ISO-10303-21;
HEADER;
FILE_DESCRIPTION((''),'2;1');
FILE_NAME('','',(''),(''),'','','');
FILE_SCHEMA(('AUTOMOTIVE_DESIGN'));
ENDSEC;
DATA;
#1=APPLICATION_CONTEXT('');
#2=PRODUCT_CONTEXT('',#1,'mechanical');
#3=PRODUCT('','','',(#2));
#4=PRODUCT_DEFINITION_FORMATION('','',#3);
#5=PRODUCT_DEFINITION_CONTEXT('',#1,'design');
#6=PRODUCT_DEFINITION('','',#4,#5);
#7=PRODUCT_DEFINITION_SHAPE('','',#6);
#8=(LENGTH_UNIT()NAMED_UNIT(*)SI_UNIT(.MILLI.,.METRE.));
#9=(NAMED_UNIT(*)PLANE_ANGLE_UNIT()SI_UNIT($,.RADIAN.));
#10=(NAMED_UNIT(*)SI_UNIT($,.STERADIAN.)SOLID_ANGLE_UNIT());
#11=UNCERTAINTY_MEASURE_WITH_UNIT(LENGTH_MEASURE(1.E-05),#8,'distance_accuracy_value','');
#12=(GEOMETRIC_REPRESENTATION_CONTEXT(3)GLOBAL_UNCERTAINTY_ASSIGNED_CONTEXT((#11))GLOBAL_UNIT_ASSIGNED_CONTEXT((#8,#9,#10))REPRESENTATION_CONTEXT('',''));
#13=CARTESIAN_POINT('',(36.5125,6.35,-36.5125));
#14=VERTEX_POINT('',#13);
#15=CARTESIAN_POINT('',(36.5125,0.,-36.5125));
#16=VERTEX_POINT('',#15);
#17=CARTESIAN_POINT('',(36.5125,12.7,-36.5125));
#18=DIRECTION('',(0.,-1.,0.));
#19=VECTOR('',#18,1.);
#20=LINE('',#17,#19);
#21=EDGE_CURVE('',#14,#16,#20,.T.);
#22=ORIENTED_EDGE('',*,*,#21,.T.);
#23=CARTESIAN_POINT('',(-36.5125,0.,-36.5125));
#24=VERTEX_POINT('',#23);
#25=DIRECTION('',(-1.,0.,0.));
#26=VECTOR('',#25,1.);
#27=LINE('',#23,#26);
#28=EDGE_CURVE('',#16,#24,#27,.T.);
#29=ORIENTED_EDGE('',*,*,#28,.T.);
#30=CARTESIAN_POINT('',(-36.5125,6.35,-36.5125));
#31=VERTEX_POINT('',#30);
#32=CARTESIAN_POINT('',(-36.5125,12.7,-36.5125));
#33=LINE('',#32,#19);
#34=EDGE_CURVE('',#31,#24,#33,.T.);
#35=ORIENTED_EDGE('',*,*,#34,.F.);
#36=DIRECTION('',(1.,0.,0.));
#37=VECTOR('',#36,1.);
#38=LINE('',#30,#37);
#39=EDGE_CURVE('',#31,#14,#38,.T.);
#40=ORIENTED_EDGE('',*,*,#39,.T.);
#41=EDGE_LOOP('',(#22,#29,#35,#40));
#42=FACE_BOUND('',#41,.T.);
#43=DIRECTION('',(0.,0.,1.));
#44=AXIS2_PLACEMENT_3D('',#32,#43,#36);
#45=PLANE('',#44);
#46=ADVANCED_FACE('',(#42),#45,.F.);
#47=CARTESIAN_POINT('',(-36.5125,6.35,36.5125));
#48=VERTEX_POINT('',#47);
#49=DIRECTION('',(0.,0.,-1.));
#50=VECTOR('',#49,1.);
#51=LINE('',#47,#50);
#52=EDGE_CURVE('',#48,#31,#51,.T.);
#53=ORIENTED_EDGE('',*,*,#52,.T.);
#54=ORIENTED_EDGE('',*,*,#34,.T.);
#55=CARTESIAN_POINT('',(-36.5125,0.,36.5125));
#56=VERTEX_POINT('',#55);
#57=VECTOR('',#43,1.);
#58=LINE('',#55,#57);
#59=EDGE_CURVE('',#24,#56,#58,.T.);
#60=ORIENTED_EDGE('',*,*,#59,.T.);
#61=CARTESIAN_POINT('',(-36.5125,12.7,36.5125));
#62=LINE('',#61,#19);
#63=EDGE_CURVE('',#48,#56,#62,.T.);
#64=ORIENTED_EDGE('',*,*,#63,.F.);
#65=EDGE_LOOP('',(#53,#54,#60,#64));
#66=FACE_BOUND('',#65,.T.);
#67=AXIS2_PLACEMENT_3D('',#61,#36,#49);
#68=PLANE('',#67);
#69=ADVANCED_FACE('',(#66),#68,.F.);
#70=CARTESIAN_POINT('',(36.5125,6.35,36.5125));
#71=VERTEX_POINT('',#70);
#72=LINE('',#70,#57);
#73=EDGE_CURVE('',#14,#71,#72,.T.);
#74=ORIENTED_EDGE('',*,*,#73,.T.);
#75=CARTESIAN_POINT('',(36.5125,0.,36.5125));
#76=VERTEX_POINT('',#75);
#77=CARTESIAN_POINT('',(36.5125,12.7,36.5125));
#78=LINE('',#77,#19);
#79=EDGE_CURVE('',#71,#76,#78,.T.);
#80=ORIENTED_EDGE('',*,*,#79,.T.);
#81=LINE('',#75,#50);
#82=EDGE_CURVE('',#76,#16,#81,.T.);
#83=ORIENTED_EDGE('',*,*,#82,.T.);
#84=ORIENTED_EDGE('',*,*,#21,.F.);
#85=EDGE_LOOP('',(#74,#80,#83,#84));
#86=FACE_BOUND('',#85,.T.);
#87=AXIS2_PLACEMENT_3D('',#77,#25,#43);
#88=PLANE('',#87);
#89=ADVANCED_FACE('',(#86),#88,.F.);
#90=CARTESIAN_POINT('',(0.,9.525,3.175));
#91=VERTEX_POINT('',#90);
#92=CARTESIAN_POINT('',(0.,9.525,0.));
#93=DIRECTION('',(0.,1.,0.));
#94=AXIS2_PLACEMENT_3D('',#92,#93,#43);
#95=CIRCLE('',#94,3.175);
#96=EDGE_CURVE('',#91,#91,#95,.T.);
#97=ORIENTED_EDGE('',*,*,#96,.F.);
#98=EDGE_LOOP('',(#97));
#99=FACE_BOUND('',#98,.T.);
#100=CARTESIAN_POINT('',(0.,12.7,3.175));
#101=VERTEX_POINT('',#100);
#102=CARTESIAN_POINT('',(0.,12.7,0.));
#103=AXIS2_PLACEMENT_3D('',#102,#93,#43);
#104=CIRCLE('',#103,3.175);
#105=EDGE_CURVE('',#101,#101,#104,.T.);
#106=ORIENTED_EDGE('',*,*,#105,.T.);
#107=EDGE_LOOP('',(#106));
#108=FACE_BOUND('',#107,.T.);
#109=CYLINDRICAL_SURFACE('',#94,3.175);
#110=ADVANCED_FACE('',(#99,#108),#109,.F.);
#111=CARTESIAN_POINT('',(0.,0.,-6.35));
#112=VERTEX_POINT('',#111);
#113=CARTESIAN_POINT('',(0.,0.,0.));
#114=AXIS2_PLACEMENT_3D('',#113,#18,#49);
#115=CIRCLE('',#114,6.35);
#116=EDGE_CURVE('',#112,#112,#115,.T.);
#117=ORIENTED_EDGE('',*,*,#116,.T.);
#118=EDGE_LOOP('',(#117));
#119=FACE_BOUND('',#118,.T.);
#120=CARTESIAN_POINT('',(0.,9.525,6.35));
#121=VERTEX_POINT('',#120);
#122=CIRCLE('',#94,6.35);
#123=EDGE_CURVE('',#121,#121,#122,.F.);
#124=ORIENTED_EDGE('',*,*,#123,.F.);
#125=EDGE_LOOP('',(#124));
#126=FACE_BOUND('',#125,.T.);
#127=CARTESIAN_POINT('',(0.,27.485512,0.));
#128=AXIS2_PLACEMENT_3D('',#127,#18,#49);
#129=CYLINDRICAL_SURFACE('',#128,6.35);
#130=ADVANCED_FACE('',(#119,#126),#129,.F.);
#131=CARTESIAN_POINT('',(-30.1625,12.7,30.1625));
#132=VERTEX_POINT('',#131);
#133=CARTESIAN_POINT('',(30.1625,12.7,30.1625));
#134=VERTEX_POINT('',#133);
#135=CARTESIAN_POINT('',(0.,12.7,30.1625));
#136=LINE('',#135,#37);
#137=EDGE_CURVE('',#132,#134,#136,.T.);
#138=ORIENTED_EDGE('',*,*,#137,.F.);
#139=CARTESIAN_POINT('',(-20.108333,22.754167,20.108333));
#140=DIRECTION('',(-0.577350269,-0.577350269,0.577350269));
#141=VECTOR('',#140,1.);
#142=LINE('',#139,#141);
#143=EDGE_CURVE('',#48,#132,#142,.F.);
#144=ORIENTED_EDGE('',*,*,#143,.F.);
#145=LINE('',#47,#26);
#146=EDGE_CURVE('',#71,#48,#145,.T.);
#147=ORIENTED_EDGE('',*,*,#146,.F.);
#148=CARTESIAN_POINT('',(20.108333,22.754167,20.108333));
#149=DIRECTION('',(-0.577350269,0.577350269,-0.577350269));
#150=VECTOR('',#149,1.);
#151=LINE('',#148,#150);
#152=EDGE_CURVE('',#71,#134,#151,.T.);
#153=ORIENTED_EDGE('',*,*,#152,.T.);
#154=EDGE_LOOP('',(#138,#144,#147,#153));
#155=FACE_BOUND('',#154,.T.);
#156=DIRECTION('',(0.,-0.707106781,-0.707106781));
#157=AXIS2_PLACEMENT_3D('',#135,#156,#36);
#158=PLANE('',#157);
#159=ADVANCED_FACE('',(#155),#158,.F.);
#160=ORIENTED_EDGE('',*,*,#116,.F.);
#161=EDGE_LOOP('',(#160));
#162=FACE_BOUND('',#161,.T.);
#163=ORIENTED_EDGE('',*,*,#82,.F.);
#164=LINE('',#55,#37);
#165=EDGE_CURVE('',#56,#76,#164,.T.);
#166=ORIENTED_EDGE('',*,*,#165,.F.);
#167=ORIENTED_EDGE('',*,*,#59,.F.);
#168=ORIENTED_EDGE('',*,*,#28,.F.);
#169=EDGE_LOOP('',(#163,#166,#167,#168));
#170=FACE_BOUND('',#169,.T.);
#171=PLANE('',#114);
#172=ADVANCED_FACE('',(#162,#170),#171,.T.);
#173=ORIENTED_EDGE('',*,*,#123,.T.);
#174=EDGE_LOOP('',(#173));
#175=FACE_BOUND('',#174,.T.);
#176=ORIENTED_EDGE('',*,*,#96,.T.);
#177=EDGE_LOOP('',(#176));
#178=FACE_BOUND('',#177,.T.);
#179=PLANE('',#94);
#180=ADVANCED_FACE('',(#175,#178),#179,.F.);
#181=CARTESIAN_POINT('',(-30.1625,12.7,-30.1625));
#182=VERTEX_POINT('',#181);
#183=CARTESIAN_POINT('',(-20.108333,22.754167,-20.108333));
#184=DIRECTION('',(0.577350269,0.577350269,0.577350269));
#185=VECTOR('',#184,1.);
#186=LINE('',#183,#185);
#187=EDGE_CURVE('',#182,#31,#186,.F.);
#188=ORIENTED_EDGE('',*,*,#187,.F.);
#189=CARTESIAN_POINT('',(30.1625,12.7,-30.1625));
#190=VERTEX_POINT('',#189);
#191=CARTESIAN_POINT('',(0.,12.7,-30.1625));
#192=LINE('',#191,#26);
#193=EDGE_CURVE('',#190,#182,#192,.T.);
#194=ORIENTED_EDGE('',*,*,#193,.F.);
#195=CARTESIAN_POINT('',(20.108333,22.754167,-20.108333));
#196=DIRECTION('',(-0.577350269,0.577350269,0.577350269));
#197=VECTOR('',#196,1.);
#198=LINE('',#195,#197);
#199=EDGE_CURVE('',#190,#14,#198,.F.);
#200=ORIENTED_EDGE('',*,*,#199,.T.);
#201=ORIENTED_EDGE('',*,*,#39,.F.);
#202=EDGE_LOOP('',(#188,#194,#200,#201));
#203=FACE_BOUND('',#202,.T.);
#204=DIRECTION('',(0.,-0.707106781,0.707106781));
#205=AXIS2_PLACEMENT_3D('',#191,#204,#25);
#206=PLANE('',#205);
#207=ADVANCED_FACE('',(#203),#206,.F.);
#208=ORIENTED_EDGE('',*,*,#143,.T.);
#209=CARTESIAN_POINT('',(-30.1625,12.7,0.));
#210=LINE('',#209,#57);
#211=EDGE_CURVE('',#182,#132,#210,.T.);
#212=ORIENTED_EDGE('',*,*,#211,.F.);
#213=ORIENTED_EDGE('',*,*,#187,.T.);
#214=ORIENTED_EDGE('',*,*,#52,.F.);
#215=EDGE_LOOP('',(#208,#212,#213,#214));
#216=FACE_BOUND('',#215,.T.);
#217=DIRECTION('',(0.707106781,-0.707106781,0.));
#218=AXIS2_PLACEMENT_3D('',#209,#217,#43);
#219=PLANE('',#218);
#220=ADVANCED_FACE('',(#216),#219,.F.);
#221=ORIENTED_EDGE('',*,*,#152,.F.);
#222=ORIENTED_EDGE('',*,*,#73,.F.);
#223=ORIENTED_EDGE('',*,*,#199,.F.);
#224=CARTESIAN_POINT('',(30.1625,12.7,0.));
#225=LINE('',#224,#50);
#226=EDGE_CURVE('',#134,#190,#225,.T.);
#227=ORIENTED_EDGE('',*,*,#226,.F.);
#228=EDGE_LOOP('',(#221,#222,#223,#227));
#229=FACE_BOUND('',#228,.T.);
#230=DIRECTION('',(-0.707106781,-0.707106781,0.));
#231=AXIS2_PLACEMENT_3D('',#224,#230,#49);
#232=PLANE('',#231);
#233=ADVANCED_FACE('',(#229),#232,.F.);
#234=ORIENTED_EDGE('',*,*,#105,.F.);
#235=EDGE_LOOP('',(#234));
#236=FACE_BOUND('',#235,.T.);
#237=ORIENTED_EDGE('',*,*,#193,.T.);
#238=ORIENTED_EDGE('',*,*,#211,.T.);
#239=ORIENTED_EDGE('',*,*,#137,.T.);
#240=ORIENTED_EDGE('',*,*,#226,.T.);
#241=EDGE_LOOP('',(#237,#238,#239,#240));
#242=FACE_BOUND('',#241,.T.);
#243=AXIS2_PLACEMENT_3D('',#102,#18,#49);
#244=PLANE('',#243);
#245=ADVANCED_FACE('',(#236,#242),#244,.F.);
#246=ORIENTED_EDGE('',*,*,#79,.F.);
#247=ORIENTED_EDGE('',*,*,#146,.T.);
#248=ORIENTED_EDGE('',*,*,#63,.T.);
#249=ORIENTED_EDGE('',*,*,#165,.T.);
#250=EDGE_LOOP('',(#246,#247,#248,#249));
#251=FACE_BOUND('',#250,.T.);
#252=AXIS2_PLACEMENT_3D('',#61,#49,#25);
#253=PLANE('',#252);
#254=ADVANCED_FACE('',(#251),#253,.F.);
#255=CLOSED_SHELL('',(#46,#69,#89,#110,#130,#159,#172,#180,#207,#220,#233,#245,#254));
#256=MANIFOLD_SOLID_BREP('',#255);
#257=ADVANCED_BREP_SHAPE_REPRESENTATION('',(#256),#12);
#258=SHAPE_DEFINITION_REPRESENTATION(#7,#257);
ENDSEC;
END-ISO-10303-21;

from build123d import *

# Parameters (mm, degrees)
SKETCH1_W           = 73.025
SKETCH1_H           = 73.025
BOSS_EXTRUDE1_DEPTH = 12.7
CHAMFER1_SIZE       = 6.35
SKETCH2_R           = 3.175
CUT_EXTRUDE1_DEPTH  = 3.175
SKETCH3_R           = 6.35
CUT_EXTRUDE2_DEPTH  = 9.525


with BuildPart() as part:
    # Sketch1 → Boss-Extrude1 (new body)
    with BuildSketch(Plane(origin=(0, 0, 0), x_dir=(1, 0, 0), z_dir=(0, 1, 0))):
        Rectangle(SKETCH1_W, SKETCH1_H)
    extrude(amount=BOSS_EXTRUDE1_DEPTH)

    # Chamfer1
    chamfer1_edges = [part.edges().sort_by_distance(p)[0] for p in [
        (-36.5125, 12.7, 0),
        (0, 12.7, 36.5125),
        (36.5125, 12.7, 0),
        (0, 12.7, -36.5125),
    ]]
    chamfer(chamfer1_edges, length=CHAMFER1_SIZE)

    # Sketch2 → Cut-Extrude1 (cut)
    with BuildSketch(Plane(origin=(0, 12.7, 0), x_dir=(1, 0, 0), z_dir=(0, 1, 0))):
        Circle(SKETCH2_R)
    extrude(amount=-CUT_EXTRUDE1_DEPTH, mode=Mode.SUBTRACT)

    # Sketch3 → Cut-Extrude2 (cut)
    with BuildSketch(Plane.XZ):
        Circle(SKETCH3_R)
    extrude(amount=-CUT_EXTRUDE2_DEPTH, mode=Mode.SUBTRACT)


solid = part.part
